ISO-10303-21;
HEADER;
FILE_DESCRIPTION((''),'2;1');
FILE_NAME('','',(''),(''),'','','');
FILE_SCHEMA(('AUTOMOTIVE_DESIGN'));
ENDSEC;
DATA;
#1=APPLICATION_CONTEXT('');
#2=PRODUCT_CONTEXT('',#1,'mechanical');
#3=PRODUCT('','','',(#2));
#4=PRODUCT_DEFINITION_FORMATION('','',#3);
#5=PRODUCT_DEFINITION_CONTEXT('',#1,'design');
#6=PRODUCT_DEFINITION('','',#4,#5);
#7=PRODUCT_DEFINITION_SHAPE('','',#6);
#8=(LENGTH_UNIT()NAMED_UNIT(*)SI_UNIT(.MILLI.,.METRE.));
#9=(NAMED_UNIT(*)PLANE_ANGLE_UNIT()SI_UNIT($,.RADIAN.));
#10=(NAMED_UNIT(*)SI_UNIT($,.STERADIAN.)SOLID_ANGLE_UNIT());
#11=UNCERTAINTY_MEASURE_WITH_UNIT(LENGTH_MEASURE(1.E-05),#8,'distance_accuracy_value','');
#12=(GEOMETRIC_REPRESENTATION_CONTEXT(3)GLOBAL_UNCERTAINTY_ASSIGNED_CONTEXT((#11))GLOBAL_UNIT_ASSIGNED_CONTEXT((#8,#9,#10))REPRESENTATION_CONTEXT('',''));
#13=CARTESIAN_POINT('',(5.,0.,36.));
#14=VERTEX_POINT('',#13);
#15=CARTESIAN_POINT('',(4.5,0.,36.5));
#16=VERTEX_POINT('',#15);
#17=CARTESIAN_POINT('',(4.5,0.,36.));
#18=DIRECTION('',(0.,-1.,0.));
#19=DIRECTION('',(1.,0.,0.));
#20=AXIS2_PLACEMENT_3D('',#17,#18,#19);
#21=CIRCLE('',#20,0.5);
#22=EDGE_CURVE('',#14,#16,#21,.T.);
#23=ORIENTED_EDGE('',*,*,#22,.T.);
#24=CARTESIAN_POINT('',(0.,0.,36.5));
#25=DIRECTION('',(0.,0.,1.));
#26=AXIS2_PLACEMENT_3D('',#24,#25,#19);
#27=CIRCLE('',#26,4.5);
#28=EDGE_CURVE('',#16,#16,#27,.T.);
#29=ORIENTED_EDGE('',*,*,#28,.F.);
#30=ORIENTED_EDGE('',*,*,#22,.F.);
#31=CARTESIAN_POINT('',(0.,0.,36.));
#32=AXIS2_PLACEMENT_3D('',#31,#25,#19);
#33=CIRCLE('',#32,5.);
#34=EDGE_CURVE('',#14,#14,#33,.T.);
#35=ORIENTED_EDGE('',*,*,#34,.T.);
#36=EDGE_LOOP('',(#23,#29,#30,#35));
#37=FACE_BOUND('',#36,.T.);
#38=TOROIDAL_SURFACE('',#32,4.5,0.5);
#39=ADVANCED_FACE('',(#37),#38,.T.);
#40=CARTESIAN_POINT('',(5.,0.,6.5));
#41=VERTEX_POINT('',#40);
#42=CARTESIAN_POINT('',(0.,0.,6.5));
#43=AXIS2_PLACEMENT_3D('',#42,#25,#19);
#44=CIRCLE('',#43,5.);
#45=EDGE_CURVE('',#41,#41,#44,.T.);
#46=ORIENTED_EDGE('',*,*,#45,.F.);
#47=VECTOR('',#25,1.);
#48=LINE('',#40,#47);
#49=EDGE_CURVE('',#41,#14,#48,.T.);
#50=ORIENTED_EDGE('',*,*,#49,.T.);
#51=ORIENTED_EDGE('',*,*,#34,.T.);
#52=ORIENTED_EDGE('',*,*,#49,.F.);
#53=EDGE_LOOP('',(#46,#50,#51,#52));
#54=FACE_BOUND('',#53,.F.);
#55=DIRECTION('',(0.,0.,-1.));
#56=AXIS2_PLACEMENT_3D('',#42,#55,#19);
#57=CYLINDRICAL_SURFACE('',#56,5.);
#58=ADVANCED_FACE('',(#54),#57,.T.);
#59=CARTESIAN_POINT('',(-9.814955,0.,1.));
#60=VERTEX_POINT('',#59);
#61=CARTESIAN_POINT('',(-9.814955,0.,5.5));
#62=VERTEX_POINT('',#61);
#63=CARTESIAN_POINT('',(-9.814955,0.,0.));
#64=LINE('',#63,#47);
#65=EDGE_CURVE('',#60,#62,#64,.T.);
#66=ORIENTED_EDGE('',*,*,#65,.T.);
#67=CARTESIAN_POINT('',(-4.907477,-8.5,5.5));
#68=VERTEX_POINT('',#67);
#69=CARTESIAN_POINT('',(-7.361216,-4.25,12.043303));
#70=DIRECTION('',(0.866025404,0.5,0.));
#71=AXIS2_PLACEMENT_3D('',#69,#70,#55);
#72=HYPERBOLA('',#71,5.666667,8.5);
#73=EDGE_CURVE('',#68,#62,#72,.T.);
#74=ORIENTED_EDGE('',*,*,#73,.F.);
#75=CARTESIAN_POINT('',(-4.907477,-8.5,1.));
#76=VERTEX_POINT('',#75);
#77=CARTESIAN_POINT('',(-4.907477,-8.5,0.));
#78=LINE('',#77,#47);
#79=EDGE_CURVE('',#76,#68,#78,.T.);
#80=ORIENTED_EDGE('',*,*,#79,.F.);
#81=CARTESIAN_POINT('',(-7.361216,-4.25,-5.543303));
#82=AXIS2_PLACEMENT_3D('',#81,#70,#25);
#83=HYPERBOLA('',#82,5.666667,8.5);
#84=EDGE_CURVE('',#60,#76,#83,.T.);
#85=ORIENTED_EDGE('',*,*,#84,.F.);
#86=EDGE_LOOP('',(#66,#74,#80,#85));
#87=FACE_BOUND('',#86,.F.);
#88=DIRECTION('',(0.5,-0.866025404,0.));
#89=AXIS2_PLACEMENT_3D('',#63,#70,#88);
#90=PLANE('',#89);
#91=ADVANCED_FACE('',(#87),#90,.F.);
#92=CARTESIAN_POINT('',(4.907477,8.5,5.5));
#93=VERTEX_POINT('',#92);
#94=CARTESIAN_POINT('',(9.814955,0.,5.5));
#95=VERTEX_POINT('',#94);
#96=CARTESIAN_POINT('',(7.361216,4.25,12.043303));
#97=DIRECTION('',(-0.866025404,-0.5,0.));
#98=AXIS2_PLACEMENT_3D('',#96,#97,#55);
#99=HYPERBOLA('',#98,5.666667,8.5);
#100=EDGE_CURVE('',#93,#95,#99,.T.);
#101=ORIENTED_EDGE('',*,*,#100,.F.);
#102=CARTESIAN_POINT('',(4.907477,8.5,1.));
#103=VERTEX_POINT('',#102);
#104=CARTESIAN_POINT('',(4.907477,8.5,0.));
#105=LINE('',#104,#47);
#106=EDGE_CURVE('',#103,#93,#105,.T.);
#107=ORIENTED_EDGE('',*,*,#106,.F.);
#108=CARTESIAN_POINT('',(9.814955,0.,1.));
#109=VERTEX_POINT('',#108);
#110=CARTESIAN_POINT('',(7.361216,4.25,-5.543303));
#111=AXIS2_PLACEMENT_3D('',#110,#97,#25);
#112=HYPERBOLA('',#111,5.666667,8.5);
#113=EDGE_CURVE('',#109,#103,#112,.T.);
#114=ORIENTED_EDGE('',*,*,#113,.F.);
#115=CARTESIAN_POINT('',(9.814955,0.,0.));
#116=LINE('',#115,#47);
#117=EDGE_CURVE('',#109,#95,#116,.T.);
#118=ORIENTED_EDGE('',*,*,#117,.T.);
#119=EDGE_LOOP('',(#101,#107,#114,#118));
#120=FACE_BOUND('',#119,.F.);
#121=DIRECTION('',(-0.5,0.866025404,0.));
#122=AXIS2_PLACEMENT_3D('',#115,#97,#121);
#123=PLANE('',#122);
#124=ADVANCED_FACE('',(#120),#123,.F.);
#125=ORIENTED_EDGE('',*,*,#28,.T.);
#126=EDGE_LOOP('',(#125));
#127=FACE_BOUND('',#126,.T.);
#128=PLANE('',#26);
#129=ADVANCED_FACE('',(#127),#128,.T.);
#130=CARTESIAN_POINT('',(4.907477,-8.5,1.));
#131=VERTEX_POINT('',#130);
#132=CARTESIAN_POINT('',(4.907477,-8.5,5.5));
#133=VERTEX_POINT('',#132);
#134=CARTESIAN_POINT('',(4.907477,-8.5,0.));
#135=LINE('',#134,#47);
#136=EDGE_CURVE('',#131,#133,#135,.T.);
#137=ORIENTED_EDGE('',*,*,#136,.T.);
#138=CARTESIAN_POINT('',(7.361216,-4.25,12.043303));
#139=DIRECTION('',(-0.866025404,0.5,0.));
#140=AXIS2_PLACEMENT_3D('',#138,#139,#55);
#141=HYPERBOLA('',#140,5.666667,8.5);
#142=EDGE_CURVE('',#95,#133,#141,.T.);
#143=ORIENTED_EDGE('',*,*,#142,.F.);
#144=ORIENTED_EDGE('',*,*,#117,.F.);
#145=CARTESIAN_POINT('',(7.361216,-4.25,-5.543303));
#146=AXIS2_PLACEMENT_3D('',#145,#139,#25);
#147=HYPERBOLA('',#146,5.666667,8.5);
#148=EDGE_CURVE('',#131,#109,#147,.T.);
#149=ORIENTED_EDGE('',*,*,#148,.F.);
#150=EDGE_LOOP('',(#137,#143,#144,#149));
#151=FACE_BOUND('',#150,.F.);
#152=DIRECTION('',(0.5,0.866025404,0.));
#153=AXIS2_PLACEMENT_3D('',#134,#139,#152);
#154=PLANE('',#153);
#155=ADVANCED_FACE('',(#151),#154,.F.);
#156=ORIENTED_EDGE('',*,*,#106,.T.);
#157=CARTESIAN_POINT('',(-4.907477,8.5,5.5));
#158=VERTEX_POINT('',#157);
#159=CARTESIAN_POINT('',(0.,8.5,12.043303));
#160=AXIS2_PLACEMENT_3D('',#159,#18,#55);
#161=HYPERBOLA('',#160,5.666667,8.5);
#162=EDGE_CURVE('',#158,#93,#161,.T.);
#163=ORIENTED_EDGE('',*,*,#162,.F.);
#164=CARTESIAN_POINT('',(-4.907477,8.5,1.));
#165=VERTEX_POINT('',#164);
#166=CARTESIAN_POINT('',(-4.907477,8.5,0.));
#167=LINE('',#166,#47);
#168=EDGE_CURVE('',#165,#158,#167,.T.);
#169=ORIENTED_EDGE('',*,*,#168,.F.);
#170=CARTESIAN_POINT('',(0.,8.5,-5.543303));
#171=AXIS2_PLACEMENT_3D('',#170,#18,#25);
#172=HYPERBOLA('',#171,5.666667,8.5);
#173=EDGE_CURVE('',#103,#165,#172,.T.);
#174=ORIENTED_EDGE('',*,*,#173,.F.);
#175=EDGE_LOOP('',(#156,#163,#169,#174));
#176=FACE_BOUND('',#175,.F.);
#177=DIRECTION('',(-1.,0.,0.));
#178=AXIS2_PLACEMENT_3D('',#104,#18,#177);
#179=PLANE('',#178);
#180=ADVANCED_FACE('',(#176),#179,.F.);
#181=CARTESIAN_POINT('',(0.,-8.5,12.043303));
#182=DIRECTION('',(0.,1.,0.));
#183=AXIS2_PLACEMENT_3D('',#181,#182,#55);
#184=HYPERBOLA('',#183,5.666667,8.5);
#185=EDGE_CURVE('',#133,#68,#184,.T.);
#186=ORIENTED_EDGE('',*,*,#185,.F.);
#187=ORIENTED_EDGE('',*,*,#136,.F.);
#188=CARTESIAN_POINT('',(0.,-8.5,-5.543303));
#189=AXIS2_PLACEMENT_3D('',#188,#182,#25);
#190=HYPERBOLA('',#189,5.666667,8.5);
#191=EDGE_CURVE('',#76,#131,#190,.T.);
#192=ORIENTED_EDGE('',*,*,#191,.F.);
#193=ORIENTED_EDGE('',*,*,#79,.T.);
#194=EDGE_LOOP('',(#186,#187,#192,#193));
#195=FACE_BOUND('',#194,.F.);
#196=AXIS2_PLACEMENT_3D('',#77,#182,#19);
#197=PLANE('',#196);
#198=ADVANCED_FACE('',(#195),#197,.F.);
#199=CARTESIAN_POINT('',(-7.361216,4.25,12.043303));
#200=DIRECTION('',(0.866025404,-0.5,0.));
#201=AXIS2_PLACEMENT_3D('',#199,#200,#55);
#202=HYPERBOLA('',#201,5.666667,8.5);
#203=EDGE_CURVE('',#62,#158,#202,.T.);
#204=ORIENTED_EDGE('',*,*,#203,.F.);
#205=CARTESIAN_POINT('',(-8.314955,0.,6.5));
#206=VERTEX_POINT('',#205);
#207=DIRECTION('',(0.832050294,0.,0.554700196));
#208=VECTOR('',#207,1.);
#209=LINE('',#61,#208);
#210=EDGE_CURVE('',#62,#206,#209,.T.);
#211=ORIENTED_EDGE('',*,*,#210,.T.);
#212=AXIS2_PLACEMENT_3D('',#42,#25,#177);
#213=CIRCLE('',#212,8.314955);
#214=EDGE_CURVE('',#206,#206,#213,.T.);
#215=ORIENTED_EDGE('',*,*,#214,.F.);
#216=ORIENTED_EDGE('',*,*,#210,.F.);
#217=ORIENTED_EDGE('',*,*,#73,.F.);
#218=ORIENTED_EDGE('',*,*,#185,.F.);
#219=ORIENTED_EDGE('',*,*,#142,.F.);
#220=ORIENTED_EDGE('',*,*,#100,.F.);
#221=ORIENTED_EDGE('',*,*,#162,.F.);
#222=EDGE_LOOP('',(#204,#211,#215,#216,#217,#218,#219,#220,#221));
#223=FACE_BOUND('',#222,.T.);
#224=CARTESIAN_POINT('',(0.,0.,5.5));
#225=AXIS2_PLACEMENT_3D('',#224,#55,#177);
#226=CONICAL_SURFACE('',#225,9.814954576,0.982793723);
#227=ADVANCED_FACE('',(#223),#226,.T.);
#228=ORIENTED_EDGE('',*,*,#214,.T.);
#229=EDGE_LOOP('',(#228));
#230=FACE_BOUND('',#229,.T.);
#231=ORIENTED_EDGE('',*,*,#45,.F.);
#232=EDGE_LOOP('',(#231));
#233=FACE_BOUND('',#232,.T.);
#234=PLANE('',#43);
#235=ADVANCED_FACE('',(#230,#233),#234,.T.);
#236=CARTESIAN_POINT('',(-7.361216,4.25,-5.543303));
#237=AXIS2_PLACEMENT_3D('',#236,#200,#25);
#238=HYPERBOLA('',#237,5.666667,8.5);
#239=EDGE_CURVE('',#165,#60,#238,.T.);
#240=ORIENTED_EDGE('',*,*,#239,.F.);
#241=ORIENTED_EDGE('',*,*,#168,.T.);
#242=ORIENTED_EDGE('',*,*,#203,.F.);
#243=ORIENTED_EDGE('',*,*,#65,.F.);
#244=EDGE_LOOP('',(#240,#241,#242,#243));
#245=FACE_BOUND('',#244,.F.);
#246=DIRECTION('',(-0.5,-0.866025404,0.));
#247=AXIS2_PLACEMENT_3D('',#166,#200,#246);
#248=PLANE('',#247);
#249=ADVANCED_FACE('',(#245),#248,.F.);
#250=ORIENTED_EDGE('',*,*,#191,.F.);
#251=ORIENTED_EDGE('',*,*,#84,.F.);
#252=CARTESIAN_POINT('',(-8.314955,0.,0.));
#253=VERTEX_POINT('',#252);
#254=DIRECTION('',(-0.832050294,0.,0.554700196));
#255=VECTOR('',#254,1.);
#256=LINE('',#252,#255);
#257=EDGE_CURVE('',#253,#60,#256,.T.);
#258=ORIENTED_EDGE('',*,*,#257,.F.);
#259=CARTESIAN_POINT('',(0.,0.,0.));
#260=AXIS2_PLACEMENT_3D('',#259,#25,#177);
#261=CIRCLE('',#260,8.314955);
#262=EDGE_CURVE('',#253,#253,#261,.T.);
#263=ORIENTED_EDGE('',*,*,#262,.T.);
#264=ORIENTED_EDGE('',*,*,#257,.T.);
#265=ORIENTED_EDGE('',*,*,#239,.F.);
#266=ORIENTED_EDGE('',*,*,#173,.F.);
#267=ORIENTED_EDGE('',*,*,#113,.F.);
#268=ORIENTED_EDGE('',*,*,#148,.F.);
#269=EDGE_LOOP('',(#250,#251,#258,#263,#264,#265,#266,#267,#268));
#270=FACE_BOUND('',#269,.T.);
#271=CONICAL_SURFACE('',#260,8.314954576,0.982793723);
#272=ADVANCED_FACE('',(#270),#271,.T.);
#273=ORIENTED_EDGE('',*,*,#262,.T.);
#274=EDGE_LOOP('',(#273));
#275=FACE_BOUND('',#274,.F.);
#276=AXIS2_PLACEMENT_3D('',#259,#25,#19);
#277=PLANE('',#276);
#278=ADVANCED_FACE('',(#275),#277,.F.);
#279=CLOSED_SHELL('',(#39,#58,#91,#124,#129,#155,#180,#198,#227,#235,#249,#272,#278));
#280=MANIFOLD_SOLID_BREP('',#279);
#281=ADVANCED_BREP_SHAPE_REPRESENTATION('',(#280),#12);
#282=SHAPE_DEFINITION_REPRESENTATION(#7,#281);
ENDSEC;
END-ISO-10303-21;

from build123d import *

# Parameters (mm, degrees)
Y_KSEKLIK_EKSTR_ZYON1_DEPTH = 6.5
IZIM2_R                     = 5
Y_KSEKLIK_EKSTR_ZYON2_DEPTH = 30
RADYUS1_R                   = 0.5


with BuildPart() as part:
    # Çizim1 → Yükseklik-Ekstrüzyon1 (new body)
    with BuildSketch(Plane.XY):
        Polygon((9.814954576, 0), (4.907477288, 8.5), (-4.907477288, 8.5), (-9.814954576, 0), (-4.907477288, -8.5), (4.907477288, -8.5), align=None)
    extrude(amount=Y_KSEKLIK_EKSTR_ZYON1_DEPTH)

    # Çizim2 → Yükseklik-Ekstrüzyon2 (add)
    with BuildSketch(Plane.XY.offset(6.5)):
        Circle(IZIM2_R)
    extrude(amount=Y_KSEKLIK_EKSTR_ZYON2_DEPTH)

    # Çizim3 → Kes-Döndür1 (revolve, cut)
    with BuildSketch(Plane(origin=(0, 0, 0), x_dir=(1, 0, 0), z_dir=(0, 1, 0))):
        Polygon((-9.814954576, 0), (-8.314954576, 0), (-9.814954576, -1), align=None)
        Polygon((-9.814954576, -6.5), (-9.814954576, -5.5), (-8.314954576, -6.5), align=None)
    revolve(axis=Axis((0, 0, 0), (0, 0, 1)), mode=Mode.SUBTRACT)

    # Radyus1
    radyus1_edges = [part.edges().sort_by_distance(p)[0] for p in [
        (-5, 0, 36.5),
    ]]
    fillet(radyus1_edges, radius=RADYUS1_R)


solid = part.part
